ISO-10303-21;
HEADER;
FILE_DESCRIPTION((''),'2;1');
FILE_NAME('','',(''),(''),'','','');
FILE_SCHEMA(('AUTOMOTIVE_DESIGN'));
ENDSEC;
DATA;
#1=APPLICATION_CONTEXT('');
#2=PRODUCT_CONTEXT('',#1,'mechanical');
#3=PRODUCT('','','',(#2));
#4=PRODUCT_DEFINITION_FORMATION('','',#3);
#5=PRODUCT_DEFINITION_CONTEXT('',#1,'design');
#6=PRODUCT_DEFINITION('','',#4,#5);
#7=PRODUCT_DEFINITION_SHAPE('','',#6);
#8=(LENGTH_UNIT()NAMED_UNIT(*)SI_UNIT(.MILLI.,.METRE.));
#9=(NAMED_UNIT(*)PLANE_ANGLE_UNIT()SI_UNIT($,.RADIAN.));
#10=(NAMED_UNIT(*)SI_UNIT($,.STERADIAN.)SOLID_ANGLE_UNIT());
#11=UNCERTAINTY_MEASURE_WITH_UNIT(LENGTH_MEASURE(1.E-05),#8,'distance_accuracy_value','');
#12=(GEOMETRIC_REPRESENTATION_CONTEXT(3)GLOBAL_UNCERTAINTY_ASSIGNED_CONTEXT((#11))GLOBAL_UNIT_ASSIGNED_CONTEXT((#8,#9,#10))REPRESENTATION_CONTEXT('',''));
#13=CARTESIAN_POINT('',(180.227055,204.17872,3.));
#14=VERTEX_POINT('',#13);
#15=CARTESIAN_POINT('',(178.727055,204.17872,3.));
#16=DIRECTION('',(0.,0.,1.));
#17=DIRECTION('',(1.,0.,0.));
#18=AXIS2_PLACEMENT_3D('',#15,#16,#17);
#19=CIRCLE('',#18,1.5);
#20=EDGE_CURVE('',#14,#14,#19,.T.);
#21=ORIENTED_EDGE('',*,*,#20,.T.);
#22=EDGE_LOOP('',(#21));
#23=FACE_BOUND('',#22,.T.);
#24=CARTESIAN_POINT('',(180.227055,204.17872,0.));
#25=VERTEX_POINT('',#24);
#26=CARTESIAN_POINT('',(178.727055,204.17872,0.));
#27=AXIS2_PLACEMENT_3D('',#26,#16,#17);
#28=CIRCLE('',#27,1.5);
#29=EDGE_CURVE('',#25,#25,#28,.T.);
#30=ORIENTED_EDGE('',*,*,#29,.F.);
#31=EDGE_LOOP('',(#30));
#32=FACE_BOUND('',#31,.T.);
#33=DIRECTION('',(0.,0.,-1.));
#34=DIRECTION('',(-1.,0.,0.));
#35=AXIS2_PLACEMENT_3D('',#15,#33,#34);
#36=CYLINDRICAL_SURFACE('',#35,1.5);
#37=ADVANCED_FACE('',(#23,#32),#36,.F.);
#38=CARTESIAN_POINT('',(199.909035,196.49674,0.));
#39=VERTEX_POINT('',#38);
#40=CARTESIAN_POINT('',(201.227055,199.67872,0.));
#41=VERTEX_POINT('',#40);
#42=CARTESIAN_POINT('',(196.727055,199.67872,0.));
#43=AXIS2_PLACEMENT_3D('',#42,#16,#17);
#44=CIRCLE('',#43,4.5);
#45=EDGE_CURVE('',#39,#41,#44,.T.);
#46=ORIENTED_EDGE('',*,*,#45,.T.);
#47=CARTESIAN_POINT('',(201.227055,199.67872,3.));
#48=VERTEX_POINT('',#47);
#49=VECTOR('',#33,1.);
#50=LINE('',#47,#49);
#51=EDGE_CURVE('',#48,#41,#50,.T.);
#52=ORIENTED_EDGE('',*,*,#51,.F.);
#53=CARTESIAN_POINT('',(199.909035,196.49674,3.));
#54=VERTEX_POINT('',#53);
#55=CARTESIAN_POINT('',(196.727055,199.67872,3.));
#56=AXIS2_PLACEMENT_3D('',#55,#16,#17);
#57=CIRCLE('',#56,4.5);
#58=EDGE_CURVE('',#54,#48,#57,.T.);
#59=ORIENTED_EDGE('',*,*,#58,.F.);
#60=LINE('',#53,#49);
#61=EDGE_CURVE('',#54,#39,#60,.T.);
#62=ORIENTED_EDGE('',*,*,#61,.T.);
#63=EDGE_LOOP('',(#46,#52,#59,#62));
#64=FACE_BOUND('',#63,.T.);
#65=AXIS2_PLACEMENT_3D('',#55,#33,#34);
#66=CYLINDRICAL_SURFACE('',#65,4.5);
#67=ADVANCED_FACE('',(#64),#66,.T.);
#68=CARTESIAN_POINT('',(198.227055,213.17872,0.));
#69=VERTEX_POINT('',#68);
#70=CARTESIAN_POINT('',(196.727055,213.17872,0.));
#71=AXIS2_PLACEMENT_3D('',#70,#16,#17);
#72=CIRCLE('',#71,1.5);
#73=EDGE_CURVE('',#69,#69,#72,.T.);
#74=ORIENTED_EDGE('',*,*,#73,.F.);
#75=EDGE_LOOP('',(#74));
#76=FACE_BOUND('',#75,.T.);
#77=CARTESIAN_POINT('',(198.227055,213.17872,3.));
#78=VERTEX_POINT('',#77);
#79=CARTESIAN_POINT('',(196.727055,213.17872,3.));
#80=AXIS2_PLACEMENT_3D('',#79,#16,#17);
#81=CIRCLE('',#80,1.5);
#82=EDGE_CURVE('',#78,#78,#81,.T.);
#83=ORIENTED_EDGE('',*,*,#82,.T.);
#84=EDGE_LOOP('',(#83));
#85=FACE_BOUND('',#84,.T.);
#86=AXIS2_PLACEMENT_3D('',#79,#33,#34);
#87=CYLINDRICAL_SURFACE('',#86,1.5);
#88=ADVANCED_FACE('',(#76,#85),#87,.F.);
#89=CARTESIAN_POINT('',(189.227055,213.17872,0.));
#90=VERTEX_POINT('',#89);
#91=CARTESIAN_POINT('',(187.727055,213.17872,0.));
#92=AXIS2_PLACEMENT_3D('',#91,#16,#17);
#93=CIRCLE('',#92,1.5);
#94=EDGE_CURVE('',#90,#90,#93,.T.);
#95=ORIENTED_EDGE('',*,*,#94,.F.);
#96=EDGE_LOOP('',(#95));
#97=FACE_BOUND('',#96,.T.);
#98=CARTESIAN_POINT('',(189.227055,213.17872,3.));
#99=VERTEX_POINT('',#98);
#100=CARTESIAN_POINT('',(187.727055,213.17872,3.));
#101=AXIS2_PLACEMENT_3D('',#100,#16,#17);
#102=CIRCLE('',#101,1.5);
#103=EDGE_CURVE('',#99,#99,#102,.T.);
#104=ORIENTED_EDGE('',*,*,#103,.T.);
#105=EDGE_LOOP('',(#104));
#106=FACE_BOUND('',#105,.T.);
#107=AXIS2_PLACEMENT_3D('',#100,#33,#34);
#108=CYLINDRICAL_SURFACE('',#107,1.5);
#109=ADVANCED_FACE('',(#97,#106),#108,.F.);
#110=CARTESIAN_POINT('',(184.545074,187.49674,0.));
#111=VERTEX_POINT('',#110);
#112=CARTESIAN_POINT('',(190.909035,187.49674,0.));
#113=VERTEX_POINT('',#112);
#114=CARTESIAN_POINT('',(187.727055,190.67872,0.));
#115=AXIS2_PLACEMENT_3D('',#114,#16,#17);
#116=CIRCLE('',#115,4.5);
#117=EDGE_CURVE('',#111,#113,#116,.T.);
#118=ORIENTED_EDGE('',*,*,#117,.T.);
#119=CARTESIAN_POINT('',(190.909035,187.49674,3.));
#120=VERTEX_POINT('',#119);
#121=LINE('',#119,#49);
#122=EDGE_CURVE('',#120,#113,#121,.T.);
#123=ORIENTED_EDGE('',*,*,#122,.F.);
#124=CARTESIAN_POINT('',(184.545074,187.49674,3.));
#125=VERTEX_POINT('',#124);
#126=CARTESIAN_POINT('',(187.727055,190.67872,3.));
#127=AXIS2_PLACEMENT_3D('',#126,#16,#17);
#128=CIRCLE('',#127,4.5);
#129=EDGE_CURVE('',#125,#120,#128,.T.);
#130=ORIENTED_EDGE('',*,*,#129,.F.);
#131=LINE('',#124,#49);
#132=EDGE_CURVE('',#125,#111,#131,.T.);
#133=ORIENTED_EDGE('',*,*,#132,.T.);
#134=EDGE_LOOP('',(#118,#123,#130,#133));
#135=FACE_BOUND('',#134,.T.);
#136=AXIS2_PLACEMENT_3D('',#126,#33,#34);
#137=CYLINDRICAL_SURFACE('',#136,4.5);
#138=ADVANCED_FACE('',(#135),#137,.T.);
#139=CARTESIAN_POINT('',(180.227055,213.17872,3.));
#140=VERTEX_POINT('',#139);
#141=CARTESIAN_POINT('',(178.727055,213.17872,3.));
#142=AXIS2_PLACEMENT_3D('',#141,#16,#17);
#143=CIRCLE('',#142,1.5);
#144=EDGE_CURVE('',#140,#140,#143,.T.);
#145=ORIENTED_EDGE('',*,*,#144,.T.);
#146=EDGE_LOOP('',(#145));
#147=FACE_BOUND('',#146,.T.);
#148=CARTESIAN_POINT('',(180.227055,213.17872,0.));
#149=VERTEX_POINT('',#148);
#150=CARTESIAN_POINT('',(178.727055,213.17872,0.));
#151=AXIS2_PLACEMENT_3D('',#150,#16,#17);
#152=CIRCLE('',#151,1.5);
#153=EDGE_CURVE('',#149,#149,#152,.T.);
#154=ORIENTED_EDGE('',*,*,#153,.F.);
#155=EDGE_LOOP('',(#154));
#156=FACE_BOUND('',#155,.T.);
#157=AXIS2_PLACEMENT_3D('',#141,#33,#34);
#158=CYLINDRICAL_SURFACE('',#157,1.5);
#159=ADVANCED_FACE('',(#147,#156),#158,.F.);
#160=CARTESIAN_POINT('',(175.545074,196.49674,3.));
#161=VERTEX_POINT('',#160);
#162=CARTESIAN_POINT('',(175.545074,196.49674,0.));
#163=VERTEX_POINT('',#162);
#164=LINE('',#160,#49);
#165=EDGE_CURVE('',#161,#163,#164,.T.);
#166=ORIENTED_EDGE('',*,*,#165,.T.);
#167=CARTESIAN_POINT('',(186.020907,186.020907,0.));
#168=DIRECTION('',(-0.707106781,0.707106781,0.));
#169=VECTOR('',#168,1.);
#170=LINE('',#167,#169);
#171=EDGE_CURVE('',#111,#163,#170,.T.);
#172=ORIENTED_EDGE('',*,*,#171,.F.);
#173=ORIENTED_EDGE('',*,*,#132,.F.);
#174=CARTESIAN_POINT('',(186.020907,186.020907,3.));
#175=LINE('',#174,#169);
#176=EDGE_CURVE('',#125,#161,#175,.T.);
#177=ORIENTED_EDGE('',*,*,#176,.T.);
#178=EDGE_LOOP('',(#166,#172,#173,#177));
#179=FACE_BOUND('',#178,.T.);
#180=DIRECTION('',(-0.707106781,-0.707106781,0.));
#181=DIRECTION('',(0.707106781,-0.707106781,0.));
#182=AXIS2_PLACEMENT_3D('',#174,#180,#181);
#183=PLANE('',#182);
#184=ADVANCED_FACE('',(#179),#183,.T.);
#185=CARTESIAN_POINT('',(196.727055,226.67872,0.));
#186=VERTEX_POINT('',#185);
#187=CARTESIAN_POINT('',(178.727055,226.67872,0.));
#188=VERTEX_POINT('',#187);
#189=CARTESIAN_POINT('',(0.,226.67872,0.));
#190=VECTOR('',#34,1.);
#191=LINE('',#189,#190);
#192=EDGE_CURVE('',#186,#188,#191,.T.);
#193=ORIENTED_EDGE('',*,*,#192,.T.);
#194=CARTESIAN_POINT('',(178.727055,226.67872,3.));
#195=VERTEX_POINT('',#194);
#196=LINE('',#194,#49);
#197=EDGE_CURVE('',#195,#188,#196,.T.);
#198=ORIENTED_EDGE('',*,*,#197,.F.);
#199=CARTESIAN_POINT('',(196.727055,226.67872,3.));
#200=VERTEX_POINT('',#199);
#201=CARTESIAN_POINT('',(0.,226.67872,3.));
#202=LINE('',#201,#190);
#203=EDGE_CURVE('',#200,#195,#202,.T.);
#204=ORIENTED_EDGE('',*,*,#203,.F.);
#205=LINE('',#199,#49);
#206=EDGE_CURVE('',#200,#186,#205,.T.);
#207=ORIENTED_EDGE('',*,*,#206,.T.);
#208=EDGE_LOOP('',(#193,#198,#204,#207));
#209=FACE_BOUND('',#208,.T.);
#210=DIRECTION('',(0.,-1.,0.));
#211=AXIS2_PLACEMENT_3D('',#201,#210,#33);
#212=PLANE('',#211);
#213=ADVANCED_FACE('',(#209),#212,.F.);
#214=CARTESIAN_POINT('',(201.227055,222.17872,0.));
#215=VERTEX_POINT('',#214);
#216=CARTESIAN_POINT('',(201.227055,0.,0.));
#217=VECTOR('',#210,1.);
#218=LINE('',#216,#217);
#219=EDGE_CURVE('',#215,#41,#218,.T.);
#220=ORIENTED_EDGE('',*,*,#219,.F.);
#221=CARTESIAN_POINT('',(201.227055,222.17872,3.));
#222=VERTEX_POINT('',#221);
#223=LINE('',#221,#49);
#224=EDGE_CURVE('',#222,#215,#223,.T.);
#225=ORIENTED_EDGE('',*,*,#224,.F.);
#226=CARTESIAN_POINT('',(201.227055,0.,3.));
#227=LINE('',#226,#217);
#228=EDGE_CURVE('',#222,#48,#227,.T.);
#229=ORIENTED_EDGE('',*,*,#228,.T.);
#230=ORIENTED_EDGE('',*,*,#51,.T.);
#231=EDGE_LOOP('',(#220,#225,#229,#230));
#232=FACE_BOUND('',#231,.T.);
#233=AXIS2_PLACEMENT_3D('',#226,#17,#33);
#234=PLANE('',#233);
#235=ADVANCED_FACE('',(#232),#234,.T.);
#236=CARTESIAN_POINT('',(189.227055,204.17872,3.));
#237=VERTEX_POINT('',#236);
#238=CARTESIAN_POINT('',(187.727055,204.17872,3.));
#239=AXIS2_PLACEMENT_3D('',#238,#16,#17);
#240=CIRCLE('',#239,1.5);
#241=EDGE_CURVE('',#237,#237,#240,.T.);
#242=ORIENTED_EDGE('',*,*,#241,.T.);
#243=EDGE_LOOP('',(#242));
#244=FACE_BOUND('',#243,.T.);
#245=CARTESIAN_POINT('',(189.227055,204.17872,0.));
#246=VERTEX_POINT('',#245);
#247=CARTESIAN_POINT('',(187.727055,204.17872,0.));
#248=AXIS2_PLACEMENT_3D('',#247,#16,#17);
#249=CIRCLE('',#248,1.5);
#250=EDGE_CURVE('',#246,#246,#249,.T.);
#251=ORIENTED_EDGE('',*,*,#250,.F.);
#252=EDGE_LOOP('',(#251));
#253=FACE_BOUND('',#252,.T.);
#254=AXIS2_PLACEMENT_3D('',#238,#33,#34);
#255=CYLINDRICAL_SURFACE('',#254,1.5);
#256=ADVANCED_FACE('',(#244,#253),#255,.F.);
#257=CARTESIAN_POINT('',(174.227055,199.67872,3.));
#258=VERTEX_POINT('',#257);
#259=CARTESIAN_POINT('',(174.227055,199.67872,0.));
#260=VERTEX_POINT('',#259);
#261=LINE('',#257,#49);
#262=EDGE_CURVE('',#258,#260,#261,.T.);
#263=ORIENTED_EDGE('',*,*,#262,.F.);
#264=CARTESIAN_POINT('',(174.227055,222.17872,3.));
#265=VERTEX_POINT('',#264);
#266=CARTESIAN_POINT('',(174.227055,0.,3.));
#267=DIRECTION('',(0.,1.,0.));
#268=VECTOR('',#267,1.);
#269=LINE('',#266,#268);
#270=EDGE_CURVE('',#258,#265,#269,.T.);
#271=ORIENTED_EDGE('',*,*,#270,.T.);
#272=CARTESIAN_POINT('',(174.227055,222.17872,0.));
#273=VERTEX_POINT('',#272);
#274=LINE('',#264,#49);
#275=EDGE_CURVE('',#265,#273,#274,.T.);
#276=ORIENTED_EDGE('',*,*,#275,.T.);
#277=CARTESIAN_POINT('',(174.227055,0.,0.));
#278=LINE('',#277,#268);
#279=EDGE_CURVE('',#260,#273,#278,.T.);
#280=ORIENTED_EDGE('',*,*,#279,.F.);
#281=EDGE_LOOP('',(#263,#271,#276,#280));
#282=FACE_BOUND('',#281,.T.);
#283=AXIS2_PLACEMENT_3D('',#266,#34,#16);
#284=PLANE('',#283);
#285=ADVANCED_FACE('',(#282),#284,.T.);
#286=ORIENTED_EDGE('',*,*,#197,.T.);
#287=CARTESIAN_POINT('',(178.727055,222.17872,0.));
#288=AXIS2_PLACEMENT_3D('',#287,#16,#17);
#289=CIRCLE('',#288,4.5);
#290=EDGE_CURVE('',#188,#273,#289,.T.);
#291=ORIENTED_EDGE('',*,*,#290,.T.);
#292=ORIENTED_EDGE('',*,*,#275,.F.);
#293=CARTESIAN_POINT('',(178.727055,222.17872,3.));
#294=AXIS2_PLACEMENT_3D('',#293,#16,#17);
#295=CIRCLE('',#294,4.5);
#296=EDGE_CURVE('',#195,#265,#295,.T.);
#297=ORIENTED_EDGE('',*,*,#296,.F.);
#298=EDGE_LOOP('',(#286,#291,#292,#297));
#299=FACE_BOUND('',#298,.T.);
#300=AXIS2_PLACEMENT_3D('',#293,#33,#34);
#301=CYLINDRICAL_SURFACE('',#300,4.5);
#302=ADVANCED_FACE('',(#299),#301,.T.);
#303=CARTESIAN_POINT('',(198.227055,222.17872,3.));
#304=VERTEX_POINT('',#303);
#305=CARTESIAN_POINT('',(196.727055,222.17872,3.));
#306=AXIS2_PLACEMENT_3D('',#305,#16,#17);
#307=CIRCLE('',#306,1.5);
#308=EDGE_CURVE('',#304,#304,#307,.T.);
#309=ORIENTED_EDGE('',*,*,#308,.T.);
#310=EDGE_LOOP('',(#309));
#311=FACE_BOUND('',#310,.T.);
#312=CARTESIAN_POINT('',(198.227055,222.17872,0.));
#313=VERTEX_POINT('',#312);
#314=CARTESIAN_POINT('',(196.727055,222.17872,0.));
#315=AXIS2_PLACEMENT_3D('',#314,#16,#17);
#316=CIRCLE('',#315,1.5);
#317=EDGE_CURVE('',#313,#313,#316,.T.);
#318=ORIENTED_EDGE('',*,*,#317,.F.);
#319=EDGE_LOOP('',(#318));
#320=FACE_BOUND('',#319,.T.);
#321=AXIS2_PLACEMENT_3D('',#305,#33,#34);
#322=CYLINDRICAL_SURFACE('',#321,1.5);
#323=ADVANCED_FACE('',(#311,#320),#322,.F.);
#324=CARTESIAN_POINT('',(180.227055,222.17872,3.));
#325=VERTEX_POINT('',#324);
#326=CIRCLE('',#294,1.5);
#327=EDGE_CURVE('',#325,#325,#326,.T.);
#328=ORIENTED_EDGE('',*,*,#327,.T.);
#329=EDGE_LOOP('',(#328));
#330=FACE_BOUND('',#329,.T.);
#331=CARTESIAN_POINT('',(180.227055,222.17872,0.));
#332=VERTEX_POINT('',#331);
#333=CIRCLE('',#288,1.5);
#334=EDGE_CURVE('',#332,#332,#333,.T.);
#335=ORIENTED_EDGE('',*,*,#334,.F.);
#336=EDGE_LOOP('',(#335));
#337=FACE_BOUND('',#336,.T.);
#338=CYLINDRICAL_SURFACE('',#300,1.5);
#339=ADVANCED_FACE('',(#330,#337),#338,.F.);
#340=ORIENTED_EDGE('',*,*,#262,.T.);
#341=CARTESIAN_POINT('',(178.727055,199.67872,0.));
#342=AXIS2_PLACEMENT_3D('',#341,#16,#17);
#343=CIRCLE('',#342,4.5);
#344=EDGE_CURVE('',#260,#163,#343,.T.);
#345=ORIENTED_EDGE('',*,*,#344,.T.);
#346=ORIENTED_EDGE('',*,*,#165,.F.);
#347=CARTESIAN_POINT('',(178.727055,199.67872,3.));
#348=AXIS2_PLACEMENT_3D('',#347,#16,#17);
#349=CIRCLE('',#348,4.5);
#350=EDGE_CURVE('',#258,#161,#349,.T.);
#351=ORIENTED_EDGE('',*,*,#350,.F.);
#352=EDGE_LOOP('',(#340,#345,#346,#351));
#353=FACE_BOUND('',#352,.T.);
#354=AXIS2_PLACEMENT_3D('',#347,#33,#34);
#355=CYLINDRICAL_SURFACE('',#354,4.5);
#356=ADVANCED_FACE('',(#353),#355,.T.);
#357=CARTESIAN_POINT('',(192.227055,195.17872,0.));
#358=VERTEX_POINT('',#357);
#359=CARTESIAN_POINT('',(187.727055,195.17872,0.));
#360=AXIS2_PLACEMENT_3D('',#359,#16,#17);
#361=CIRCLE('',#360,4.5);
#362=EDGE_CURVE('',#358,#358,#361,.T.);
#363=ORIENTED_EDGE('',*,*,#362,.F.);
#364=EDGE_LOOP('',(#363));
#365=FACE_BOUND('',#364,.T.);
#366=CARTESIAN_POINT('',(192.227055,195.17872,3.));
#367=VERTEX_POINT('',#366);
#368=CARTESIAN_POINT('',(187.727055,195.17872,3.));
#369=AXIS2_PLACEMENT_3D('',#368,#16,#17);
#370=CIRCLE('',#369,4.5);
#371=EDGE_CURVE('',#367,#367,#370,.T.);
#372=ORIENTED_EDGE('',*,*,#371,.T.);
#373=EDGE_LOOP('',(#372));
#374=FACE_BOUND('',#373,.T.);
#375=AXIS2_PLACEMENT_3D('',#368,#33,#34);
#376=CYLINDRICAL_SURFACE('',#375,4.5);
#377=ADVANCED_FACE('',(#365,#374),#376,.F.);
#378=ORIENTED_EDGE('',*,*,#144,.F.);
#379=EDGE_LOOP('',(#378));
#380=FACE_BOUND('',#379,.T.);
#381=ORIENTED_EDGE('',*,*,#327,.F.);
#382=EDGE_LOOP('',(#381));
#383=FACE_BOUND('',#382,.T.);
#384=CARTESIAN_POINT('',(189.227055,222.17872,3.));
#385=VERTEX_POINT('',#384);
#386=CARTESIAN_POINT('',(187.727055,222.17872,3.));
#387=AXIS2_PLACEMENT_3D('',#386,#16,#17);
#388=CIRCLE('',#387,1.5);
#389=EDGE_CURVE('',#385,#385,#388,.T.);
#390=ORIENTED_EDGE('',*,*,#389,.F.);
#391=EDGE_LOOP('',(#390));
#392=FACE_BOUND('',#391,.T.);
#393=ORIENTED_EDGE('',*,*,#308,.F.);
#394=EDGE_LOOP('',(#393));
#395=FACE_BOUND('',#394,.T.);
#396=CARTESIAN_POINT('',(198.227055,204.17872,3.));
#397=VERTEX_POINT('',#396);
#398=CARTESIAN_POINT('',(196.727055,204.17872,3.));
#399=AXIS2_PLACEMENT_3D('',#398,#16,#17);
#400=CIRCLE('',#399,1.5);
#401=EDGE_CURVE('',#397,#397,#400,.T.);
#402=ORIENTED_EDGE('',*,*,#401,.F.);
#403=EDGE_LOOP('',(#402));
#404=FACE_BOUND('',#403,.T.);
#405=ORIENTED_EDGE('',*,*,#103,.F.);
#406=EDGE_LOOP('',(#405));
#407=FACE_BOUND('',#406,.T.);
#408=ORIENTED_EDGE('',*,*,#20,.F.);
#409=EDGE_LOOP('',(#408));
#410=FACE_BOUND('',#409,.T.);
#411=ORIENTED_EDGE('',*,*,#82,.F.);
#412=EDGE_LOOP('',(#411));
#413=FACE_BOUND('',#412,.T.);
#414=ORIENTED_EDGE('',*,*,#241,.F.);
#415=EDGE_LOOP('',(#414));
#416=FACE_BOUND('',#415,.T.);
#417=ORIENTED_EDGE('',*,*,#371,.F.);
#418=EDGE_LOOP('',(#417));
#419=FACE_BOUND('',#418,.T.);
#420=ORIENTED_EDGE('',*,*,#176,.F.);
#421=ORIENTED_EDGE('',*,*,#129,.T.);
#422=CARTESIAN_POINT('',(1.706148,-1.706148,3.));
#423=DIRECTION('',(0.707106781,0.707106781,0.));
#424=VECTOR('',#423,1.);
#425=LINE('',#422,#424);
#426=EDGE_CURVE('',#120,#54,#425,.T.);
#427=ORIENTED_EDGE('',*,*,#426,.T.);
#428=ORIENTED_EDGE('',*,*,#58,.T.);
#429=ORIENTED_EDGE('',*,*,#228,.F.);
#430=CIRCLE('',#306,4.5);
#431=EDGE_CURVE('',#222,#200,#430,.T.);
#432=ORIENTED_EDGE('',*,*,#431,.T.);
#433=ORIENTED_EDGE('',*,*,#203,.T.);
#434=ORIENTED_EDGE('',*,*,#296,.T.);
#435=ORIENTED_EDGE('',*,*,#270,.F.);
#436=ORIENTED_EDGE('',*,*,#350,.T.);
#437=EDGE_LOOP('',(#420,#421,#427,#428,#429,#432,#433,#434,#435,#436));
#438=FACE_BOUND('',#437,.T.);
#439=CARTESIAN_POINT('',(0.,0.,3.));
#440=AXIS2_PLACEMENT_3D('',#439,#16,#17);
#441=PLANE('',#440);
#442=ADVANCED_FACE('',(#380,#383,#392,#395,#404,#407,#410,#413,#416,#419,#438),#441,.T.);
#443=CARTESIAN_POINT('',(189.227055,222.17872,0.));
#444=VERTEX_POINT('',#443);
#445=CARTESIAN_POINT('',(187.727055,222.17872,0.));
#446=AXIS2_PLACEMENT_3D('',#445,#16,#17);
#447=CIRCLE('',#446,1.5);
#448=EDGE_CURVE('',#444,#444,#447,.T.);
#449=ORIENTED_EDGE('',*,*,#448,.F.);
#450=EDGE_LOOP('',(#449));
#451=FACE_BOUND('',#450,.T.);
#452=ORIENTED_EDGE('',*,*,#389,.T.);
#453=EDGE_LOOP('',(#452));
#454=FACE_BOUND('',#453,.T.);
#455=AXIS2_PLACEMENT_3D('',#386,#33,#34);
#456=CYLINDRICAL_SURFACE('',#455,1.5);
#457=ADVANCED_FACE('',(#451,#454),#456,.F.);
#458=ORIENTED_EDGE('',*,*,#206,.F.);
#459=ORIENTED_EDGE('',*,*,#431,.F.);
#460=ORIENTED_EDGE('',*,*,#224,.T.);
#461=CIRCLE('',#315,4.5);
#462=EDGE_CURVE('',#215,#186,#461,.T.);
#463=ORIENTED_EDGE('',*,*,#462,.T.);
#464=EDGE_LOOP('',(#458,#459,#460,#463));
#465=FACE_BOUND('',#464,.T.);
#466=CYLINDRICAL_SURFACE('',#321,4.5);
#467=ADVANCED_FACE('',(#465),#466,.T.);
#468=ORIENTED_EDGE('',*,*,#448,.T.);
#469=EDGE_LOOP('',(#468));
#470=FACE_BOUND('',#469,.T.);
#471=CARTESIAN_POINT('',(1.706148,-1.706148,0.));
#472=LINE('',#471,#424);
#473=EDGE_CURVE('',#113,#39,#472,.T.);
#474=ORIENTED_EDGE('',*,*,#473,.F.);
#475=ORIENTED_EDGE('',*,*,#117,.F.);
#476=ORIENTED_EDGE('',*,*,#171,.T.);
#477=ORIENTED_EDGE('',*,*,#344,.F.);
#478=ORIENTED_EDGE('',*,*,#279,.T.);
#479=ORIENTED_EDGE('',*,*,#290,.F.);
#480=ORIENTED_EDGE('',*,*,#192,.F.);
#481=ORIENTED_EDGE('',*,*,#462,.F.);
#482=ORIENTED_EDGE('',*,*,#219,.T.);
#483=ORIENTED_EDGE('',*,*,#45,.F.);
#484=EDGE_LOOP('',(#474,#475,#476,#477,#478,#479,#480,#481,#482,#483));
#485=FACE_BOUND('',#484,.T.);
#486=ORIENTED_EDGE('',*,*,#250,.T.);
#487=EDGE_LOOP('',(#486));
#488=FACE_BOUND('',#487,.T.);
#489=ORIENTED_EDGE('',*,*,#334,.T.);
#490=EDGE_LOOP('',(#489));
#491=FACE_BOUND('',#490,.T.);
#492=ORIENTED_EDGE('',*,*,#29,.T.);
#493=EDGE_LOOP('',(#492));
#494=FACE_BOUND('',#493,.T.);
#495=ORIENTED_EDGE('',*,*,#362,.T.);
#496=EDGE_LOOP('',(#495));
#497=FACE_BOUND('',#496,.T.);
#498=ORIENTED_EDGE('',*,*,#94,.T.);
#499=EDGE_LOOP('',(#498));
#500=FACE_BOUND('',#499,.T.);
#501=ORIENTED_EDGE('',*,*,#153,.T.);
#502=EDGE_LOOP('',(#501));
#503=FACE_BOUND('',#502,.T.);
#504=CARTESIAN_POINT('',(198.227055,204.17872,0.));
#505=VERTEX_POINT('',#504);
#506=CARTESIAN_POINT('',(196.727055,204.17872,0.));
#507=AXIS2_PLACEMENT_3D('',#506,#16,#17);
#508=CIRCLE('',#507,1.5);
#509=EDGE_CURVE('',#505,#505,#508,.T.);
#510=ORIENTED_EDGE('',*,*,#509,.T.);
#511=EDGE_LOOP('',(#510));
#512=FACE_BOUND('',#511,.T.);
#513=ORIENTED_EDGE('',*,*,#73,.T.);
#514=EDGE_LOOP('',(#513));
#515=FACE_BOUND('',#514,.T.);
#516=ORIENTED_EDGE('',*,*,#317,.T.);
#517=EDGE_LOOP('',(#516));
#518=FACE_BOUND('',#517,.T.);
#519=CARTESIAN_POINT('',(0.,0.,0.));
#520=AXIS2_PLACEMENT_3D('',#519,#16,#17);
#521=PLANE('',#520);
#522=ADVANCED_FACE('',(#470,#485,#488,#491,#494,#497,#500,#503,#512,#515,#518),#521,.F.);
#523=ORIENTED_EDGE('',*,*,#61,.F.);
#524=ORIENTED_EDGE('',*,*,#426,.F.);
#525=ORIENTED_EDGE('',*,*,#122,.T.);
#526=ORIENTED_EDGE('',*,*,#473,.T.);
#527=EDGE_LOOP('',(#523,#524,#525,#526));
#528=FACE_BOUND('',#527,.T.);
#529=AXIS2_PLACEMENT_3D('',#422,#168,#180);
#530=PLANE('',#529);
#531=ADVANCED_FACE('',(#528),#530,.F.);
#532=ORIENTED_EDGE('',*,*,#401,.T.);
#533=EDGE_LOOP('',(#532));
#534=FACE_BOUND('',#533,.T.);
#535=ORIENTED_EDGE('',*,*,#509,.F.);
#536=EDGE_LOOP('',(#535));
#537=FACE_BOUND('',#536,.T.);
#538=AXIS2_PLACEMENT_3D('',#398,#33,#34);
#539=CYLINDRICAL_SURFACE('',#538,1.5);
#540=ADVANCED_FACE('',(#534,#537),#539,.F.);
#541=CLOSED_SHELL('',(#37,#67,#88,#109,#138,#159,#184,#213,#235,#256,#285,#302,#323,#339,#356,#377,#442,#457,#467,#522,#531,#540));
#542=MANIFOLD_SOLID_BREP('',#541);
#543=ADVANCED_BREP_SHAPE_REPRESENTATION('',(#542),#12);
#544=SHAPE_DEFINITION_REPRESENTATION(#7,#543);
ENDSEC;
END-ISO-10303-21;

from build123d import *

# Parameters (mm, degrees)
MODEL_R                 = 1.5
MODEL_R_2               = 4.5
SALIENTE_EXTRUIR1_DEPTH = 3


with BuildPart() as part:
    # Model → Saliente-Extruir1 (new body)
    with BuildSketch(Plane.XY):
        with BuildLine():
            Line((174.227054575, 222.178720063), (174.227054575, 213.178720063))
            Line((174.227054575, 213.178720063), (174.227054575, 199.678720063))
            ThreePointArc((174.227054575, 199.678720063), (174.569596678, 197.956644617), (175.545074059, 196.496739548))
            Line((175.545074059, 196.496739548), (184.545074059, 187.496739548))
            ThreePointArc((184.545074059, 187.496739548), (187.727054575, 186.178720063), (190.90903509, 187.496739548))
            Line((190.90903509, 187.496739548), (199.90903509, 196.496739548))
            ThreePointArc((199.90903509, 196.496739548), (200.884512471, 197.956644617), (201.227054575, 199.678720063))
            Line((201.227054575, 199.678720063), (201.227054575, 222.178720063))
            ThreePointArc((201.227054575, 222.178720063), (199.90903509, 225.360700578), (196.727054575, 226.678720063))
            Line((196.727054575, 226.678720063), (178.727054575, 226.678720063))
            ThreePointArc((178.727054575, 226.678720063), (175.545074059, 225.360700578), (174.227054575, 222.178720063))
        make_face()
        with Locations((178.727054575, 204.178720063)):
            Circle(MODEL_R, mode=Mode.SUBTRACT)
        with Locations((187.727054575, 195.178720063)):
            Circle(MODEL_R_2, mode=Mode.SUBTRACT)
        with Locations((187.727054575, 204.178720063)):
            Circle(MODEL_R, mode=Mode.SUBTRACT)
        with Locations((196.727054575, 204.178720063)):
            Circle(MODEL_R, mode=Mode.SUBTRACT)
        with Locations((178.727054575, 213.178720063)):
            Circle(MODEL_R, mode=Mode.SUBTRACT)
        with Locations((178.727054575, 222.178720063)):
            Circle(MODEL_R, mode=Mode.SUBTRACT)
        with Locations((187.727054575, 213.178720063)):
            Circle(MODEL_R, mode=Mode.SUBTRACT)
        with Locations((196.727054575, 213.178720063)):
            Circle(MODEL_R, mode=Mode.SUBTRACT)
        with Locations((187.727054575, 222.178720063)):
            Circle(MODEL_R, mode=Mode.SUBTRACT)
        with Locations((196.727054575, 222.178720063)):
            Circle(MODEL_R, mode=Mode.SUBTRACT)
    extrude(amount=SALIENTE_EXTRUIR1_DEPTH)


solid = part.part
